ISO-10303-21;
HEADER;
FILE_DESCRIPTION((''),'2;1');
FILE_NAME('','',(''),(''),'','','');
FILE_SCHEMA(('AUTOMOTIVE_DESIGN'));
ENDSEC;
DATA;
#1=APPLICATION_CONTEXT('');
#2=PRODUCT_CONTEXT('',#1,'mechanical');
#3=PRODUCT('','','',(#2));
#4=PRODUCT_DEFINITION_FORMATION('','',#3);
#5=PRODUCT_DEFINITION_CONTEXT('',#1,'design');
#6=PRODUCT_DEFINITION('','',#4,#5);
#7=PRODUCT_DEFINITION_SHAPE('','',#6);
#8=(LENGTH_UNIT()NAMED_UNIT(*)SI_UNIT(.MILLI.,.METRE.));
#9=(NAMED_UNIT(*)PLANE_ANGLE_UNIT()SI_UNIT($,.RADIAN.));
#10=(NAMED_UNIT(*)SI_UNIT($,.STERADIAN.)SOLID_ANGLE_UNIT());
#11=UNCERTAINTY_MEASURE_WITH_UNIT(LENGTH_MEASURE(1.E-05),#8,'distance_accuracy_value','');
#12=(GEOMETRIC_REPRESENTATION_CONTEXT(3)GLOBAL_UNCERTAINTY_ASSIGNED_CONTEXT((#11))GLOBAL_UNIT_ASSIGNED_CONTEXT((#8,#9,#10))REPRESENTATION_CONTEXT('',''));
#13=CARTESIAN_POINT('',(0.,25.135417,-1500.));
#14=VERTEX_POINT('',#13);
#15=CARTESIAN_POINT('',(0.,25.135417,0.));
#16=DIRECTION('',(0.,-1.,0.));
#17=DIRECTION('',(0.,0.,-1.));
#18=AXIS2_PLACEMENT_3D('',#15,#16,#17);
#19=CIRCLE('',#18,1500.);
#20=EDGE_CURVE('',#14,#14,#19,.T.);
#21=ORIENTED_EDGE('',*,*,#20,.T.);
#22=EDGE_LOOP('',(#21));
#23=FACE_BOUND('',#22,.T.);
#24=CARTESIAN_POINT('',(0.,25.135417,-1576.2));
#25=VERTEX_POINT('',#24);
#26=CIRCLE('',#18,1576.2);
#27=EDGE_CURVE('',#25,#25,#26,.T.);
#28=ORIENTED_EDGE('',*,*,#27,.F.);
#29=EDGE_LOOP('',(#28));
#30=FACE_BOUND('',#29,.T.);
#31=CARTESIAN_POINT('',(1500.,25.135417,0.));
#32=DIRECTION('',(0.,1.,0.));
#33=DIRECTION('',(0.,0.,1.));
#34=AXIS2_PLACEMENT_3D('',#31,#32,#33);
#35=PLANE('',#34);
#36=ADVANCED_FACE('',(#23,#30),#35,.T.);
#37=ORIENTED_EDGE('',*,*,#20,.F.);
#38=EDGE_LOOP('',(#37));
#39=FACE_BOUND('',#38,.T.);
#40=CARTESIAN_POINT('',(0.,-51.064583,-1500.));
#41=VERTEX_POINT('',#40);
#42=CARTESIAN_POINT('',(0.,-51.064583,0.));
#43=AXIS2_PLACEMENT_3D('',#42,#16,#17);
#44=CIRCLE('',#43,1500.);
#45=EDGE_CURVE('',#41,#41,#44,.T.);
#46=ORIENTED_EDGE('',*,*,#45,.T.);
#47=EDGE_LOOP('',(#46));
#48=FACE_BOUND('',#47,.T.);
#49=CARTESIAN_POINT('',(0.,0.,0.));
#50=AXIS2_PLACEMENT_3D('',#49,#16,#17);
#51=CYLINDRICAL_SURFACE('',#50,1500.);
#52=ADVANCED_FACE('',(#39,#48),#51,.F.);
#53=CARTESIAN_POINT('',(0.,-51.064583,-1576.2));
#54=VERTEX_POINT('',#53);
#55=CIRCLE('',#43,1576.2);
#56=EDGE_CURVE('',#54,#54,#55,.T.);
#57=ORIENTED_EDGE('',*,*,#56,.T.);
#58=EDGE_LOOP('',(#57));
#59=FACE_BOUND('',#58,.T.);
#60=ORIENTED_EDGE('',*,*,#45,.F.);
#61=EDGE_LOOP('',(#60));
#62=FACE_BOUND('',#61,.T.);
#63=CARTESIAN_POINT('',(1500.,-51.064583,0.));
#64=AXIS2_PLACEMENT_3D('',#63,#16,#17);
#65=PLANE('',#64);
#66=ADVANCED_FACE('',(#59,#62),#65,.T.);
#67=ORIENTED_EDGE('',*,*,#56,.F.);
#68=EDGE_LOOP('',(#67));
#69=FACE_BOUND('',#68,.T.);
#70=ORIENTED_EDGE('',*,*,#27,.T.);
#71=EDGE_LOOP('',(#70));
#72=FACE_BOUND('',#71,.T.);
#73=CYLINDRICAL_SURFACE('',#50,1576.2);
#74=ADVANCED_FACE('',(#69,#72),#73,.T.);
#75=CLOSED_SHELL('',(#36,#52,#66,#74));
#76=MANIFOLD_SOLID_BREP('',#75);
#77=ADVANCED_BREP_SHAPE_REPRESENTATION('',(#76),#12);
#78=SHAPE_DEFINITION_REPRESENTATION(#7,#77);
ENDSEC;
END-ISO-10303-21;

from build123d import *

# Parameters (mm, degrees)
SKETCH1_W = 76.2
SKETCH1_H = 76.2


with BuildPart() as part:
    # Sketch1 → Revolve1 (revolve)
    with BuildSketch(Plane.XY):
        with Locations((1538.1, -12.964583333)):
            Rectangle(SKETCH1_W, SKETCH1_H)
    revolve(axis=Axis((0, 0, 0), (0, 1, 0)))


solid = part.part
